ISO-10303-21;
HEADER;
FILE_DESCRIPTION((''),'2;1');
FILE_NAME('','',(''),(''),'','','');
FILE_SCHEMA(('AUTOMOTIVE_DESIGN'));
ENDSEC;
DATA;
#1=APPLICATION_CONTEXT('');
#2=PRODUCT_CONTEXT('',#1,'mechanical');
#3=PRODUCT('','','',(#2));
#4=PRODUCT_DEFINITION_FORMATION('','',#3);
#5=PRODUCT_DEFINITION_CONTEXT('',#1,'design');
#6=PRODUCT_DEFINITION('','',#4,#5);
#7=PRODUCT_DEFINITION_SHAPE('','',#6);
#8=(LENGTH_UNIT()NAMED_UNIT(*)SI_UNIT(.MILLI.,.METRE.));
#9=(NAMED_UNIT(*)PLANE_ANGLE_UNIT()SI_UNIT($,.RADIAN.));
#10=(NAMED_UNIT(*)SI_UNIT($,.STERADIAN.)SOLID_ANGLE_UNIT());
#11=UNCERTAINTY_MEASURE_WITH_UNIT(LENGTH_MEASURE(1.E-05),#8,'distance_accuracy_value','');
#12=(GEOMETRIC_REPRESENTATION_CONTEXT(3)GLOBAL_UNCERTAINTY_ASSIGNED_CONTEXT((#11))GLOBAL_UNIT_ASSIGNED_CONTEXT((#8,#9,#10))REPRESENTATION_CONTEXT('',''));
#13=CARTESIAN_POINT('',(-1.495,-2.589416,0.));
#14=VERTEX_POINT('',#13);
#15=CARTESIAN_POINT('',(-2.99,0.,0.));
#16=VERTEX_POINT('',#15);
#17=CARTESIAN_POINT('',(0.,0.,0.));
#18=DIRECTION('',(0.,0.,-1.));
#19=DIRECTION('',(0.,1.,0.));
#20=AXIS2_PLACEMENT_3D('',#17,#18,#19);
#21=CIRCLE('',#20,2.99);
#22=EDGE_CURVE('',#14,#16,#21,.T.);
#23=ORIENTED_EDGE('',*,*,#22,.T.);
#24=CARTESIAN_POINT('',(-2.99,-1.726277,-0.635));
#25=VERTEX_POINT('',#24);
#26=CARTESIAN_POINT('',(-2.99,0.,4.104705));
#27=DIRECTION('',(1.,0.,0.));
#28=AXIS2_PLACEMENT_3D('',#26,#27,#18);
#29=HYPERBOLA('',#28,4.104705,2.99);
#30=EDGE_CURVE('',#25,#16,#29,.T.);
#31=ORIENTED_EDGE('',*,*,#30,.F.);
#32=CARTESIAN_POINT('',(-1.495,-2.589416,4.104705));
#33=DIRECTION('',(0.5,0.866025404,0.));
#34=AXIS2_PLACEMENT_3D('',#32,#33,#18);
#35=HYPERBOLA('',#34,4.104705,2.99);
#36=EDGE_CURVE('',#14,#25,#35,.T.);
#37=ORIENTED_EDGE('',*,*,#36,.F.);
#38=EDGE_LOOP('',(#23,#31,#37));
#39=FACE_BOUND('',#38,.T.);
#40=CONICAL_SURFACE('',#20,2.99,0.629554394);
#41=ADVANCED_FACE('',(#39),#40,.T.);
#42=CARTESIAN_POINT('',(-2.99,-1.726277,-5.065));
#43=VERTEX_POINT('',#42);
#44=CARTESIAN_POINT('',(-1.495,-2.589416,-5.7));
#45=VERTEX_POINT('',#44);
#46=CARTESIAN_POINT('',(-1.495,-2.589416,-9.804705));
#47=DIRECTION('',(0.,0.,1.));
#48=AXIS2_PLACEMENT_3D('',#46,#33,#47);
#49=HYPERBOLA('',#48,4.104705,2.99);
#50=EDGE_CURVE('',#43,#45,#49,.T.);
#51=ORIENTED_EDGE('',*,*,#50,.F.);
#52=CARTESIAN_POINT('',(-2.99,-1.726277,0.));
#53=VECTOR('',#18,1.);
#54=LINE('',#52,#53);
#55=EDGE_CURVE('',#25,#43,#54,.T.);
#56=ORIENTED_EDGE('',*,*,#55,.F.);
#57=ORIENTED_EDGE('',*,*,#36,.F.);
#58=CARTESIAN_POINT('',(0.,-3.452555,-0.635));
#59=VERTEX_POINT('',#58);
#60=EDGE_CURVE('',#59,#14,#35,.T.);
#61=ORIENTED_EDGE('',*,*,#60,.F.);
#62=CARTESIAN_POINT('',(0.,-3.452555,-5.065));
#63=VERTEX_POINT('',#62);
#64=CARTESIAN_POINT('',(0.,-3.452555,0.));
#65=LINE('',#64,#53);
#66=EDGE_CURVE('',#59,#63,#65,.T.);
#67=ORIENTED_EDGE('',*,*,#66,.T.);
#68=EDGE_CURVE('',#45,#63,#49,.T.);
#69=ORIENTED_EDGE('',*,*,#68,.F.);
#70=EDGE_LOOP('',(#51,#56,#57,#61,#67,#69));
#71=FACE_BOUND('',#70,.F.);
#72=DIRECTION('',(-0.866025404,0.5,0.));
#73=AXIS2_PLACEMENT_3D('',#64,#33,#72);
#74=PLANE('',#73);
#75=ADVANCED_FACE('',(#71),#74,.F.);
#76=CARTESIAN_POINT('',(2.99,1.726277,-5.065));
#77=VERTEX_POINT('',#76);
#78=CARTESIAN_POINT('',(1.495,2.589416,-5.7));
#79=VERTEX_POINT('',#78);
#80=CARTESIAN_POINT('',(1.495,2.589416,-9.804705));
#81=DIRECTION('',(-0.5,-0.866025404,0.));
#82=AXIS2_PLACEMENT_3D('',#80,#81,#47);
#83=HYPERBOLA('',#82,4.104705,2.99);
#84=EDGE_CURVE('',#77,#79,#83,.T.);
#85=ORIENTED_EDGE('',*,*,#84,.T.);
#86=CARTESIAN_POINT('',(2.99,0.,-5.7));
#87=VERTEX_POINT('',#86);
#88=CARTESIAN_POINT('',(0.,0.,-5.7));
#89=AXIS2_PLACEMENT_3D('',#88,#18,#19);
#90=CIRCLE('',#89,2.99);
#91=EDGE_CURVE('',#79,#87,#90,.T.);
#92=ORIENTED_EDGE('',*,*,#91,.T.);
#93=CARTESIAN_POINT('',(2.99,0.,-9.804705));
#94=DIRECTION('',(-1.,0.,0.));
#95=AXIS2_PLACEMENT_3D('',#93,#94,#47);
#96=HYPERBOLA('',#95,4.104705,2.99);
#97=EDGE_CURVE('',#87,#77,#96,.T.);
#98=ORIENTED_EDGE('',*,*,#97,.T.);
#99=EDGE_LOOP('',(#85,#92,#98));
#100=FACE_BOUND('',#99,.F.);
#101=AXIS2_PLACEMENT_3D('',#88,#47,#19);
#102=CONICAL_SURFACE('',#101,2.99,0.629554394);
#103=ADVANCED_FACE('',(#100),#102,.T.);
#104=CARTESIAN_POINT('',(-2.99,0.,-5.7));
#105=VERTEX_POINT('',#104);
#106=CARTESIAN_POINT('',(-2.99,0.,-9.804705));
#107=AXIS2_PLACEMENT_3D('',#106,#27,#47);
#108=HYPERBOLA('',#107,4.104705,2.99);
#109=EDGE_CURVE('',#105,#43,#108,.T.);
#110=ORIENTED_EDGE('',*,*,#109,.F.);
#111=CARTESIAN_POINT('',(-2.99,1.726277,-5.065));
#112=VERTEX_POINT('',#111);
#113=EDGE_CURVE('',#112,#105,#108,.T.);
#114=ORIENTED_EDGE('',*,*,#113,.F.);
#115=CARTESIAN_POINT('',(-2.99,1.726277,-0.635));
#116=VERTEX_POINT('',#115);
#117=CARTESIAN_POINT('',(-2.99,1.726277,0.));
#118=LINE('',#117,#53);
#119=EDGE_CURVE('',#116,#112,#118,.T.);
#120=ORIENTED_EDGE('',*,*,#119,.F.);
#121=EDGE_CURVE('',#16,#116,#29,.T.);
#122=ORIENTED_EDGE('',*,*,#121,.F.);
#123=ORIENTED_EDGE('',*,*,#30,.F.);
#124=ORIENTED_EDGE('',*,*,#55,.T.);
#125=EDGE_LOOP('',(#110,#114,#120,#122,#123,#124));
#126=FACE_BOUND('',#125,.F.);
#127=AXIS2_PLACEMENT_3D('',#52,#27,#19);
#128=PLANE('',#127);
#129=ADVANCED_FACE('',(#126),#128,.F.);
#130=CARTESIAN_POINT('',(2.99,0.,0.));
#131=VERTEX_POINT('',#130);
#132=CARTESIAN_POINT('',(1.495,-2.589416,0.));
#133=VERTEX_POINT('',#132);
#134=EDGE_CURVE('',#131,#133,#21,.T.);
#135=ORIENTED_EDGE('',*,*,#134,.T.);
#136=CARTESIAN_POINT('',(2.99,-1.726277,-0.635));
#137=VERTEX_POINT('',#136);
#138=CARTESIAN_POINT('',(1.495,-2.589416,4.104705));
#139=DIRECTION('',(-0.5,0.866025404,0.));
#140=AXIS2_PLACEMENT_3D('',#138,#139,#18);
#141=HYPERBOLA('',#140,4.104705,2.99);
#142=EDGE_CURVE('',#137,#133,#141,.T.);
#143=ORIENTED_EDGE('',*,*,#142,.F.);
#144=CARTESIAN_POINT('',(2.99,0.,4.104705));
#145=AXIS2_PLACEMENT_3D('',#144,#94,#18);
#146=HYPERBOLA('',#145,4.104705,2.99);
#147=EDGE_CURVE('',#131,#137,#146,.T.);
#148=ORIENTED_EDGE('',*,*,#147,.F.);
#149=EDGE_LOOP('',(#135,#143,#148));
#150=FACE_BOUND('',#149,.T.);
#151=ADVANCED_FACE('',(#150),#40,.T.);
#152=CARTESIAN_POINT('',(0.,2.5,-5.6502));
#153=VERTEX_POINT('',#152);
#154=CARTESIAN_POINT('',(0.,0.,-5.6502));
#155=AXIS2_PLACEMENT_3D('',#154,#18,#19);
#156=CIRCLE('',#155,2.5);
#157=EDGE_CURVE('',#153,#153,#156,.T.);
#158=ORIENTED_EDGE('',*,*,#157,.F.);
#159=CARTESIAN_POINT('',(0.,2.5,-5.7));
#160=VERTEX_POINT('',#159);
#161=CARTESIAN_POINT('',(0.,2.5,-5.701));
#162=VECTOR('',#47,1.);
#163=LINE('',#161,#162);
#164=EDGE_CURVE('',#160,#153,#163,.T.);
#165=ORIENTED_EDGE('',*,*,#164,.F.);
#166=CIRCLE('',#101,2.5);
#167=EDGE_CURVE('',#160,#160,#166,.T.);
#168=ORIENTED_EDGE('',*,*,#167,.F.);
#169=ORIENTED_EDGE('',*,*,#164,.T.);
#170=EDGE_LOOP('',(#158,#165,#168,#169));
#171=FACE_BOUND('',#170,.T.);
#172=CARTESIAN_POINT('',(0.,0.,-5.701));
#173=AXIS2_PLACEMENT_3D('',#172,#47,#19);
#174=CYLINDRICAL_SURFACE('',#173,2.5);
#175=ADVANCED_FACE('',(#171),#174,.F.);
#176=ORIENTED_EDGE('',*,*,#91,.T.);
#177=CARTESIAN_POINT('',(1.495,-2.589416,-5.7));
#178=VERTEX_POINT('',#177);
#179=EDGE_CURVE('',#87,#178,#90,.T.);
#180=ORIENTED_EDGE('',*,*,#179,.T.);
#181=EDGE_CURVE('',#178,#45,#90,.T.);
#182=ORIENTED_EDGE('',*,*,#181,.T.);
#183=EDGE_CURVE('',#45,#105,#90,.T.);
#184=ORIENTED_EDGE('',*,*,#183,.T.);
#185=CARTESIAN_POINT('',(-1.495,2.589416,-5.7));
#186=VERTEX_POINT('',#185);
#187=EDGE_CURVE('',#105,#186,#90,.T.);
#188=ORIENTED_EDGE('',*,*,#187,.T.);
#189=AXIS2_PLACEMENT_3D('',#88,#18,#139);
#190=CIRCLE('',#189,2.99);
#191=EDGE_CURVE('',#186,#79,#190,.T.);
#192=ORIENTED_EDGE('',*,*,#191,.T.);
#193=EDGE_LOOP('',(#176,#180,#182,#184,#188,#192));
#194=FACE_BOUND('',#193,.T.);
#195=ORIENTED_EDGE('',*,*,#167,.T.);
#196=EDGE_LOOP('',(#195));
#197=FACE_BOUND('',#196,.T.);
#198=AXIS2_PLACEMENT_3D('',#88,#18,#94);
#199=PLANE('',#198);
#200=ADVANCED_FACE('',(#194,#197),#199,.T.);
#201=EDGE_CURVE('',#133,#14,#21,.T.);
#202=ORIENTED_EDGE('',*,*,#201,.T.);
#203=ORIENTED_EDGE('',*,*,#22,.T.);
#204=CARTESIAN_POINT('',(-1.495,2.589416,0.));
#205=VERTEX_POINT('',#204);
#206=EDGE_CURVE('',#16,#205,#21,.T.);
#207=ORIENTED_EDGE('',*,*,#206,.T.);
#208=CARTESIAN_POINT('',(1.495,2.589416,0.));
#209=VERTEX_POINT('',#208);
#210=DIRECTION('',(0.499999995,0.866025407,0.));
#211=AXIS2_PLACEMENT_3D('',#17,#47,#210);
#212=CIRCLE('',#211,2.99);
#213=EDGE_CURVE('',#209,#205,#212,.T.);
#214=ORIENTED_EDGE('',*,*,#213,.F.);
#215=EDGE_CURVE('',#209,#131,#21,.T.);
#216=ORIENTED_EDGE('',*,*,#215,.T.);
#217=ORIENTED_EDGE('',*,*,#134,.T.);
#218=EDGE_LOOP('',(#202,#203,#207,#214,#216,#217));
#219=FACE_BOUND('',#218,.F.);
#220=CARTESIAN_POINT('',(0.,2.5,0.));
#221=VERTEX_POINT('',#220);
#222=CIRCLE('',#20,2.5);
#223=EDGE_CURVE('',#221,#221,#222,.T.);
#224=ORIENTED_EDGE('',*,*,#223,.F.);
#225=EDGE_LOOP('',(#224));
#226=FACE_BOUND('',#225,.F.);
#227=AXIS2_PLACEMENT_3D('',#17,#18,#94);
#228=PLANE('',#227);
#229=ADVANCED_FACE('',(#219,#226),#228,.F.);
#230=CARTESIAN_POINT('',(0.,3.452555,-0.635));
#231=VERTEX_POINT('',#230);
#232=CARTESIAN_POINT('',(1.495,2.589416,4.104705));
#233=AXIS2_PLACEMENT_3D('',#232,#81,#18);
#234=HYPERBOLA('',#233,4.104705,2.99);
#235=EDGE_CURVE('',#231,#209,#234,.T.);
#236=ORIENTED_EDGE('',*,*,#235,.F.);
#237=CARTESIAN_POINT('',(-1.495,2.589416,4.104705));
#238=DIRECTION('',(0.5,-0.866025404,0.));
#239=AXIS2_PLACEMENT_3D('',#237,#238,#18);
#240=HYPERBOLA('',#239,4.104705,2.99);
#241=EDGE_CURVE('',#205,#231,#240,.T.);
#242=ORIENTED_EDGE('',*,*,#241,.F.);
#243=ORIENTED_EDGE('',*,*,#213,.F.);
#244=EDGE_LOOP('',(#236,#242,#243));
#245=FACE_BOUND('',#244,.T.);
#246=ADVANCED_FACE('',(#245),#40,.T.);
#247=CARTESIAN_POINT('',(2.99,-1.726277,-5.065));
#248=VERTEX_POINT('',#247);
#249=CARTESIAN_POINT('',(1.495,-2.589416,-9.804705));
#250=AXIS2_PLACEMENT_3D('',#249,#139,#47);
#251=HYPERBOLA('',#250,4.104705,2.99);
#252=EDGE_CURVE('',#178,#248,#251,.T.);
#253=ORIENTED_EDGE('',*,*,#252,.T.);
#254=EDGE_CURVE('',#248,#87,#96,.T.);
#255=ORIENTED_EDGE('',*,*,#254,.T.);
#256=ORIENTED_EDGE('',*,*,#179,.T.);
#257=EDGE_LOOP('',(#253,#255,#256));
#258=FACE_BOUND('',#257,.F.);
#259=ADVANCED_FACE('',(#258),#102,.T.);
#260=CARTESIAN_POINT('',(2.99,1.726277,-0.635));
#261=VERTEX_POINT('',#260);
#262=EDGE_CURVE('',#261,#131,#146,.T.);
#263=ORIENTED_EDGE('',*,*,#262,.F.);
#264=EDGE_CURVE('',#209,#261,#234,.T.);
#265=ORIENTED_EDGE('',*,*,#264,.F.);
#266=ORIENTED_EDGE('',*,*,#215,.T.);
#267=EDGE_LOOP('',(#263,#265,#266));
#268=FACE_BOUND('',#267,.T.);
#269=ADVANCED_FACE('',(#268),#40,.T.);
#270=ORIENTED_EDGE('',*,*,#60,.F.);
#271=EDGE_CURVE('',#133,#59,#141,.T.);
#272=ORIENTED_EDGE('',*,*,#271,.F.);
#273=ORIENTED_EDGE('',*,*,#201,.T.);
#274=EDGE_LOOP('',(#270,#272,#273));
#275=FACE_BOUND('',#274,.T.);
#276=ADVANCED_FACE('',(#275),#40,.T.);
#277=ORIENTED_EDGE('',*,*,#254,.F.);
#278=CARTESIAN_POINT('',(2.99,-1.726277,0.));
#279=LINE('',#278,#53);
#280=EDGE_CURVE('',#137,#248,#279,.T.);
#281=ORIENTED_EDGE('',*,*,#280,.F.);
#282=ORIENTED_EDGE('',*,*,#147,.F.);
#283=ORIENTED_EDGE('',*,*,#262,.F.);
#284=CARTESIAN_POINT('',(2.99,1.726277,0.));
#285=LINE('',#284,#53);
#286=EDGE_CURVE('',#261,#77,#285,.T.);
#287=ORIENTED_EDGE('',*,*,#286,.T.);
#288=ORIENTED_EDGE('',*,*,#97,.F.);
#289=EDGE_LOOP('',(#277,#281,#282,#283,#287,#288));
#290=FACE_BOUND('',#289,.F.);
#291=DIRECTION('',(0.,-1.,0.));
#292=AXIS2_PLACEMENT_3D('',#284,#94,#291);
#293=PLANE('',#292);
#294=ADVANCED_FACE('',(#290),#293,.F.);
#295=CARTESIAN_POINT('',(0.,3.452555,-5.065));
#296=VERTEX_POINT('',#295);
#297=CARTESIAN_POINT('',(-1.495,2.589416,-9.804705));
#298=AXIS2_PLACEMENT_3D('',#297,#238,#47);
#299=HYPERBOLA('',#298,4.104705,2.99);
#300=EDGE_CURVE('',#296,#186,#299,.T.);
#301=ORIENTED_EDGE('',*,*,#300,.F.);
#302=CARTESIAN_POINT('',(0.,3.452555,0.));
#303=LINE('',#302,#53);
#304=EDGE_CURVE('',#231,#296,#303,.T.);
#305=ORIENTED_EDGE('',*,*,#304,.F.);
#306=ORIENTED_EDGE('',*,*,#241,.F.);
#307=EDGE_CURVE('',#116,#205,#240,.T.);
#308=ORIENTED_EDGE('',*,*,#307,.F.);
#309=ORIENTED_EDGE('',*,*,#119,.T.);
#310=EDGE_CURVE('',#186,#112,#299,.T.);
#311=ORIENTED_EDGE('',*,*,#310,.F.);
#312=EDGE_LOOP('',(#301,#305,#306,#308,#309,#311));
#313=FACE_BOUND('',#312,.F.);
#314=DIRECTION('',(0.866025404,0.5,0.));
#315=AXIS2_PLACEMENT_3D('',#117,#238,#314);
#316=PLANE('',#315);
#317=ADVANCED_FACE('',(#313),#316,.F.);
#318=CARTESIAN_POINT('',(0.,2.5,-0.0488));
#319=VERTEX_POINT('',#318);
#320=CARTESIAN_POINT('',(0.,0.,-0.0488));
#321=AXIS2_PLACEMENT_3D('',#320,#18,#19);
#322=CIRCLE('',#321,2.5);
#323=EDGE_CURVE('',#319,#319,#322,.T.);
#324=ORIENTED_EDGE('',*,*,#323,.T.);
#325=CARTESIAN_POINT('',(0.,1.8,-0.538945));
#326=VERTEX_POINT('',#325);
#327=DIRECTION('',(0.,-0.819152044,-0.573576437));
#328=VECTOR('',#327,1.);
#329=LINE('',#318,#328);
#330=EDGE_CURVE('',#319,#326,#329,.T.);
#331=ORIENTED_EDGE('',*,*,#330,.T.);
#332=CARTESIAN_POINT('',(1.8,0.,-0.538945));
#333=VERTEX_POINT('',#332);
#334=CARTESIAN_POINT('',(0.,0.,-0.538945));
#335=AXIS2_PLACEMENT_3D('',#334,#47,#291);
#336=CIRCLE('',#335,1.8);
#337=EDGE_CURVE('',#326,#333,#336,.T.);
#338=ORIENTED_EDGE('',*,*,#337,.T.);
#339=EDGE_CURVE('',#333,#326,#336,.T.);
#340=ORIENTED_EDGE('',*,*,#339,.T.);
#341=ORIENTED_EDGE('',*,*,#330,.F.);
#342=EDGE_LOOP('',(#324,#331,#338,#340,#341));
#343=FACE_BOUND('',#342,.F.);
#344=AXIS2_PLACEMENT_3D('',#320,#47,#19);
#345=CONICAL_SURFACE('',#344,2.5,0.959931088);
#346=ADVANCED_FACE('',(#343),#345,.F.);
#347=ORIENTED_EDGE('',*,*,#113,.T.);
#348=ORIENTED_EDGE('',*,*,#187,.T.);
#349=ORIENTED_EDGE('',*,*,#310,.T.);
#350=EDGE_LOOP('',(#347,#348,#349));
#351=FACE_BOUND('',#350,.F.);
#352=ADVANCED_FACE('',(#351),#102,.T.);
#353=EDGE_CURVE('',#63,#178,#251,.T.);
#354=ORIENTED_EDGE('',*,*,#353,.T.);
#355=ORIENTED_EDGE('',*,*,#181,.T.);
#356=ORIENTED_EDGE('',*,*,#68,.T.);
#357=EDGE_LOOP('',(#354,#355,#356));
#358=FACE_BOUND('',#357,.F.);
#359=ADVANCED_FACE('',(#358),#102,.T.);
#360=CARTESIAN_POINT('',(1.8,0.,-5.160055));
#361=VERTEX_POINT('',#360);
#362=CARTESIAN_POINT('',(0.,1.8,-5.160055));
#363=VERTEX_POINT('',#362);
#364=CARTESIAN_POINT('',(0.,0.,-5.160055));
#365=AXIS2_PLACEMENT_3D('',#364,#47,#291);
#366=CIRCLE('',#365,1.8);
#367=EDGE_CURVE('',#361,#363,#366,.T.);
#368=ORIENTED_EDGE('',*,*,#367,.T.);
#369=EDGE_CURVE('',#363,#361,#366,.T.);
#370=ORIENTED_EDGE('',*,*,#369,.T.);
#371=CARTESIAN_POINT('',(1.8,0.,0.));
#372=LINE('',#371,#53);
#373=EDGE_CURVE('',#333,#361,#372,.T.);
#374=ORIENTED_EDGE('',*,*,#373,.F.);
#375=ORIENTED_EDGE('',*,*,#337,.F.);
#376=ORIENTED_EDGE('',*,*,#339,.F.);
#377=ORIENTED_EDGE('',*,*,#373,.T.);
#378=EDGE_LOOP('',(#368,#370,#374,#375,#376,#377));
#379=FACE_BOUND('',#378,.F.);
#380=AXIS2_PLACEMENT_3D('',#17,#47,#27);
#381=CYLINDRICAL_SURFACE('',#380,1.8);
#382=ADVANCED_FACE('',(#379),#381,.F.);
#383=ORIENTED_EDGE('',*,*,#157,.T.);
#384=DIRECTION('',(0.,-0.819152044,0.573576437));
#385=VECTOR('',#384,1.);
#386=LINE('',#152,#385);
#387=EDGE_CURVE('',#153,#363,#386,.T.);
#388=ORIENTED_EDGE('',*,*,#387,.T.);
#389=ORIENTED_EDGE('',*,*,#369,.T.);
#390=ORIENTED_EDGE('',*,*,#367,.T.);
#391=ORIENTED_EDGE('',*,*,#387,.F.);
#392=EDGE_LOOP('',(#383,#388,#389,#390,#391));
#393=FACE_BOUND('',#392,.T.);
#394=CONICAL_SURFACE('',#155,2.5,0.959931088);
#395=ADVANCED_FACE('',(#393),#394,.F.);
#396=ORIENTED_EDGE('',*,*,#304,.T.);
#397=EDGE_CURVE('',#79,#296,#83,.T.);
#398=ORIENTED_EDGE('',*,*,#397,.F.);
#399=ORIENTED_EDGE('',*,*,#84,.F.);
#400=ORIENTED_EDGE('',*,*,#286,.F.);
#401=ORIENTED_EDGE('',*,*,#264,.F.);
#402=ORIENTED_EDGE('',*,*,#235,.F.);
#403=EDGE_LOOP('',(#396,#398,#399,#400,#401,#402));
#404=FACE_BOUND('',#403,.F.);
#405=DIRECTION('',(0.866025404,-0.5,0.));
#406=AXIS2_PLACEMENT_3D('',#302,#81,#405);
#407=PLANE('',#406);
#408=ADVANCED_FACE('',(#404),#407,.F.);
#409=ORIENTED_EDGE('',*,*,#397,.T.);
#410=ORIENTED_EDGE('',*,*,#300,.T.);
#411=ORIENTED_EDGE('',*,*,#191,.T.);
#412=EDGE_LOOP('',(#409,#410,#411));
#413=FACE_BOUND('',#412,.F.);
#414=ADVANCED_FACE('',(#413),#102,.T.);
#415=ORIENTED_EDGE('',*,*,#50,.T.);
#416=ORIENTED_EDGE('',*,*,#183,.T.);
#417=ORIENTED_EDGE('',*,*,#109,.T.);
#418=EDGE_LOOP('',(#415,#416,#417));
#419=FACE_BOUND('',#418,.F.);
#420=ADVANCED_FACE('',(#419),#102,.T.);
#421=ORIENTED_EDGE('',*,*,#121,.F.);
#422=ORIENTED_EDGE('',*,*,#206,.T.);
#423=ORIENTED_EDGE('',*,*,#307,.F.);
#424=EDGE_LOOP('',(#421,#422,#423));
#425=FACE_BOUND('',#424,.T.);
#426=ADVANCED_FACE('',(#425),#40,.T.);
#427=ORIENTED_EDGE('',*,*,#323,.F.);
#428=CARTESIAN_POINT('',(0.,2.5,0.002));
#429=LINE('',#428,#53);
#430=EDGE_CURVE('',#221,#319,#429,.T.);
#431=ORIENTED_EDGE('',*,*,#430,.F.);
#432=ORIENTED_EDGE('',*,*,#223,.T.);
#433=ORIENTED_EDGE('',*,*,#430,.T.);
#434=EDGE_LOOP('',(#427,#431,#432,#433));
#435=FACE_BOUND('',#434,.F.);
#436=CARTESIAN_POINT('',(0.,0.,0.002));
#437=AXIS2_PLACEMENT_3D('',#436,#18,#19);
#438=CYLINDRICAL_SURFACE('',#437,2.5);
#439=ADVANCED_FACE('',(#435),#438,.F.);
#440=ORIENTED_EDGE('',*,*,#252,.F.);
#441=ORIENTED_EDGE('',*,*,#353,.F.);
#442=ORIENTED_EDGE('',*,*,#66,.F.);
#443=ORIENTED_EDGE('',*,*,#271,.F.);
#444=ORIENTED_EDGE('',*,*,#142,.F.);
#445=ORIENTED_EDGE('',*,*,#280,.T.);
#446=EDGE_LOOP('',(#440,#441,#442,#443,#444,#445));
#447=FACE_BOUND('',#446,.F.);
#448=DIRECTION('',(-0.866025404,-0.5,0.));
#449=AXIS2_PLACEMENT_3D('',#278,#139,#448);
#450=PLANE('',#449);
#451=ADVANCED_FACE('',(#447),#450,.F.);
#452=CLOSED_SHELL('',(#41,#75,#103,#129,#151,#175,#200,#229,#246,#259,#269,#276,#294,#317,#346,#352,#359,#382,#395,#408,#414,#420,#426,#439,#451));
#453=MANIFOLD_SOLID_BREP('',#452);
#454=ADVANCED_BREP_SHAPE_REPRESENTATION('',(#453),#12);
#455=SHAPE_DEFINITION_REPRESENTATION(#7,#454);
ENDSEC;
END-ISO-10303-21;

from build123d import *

# Parameters (mm, degrees)
BASENUTSKE_R  = 1.8
BASENUT_DEPTH = 5.7


with BuildPart() as part:
    # BaseNutSke → BaseNut (new body)
    with BuildSketch(Plane.XY):
        Polygon((2.99, 1.726277305), (2.99, -1.726277305), (0, -3.45255461), (-2.99, -1.726277305), (-2.99, 1.726277305), (0, 3.45255461), align=None)
        Circle(BASENUTSKE_R, mode=Mode.SUBTRACT)
    extrude(amount=-BASENUT_DEPTH)

    # Sketch3 → Double-Chamfer (revolve, cut)
    with BuildSketch(Plane(origin=(0, 0, 0), x_dir=(0, 0, -1), z_dir=(1, 0, 0))):
        Polygon((5.7, 2.99), (5.065, 3.45255461), (5.065, 16.15255461), (18.4, 16.15255461), (18.4, 2.99), align=None)
        Polygon((0.635, 16.15255461), (-12.7, 16.15255461), (-12.7, 2.99), (0, 2.99), (0.635, 3.45255461), align=None)
    revolve(axis=Axis((0, 0, 0), (0, 0, -1)), mode=Mode.SUBTRACT)

    # Sketch5 → EndChamfer (revolve, cut)
    with BuildSketch(Plane(origin=(0, 0, 0), x_dir=(0, 0, -1), z_dir=(1, 0, 0))):
        Polygon((5.6502, 2.5), (4.591136098, 0.9875), (5.701, 0.9875), (5.701, 2.5), align=None)
        Polygon((-0.002, 2.5), (0.0488, 2.5), (1.107863902, 0.9875), (-0.002, 0.9875), align=None)
    revolve(axis=Axis((0, 0, -25.037505729), (0, 0, -1)), mode=Mode.SUBTRACT)


solid = part.part
